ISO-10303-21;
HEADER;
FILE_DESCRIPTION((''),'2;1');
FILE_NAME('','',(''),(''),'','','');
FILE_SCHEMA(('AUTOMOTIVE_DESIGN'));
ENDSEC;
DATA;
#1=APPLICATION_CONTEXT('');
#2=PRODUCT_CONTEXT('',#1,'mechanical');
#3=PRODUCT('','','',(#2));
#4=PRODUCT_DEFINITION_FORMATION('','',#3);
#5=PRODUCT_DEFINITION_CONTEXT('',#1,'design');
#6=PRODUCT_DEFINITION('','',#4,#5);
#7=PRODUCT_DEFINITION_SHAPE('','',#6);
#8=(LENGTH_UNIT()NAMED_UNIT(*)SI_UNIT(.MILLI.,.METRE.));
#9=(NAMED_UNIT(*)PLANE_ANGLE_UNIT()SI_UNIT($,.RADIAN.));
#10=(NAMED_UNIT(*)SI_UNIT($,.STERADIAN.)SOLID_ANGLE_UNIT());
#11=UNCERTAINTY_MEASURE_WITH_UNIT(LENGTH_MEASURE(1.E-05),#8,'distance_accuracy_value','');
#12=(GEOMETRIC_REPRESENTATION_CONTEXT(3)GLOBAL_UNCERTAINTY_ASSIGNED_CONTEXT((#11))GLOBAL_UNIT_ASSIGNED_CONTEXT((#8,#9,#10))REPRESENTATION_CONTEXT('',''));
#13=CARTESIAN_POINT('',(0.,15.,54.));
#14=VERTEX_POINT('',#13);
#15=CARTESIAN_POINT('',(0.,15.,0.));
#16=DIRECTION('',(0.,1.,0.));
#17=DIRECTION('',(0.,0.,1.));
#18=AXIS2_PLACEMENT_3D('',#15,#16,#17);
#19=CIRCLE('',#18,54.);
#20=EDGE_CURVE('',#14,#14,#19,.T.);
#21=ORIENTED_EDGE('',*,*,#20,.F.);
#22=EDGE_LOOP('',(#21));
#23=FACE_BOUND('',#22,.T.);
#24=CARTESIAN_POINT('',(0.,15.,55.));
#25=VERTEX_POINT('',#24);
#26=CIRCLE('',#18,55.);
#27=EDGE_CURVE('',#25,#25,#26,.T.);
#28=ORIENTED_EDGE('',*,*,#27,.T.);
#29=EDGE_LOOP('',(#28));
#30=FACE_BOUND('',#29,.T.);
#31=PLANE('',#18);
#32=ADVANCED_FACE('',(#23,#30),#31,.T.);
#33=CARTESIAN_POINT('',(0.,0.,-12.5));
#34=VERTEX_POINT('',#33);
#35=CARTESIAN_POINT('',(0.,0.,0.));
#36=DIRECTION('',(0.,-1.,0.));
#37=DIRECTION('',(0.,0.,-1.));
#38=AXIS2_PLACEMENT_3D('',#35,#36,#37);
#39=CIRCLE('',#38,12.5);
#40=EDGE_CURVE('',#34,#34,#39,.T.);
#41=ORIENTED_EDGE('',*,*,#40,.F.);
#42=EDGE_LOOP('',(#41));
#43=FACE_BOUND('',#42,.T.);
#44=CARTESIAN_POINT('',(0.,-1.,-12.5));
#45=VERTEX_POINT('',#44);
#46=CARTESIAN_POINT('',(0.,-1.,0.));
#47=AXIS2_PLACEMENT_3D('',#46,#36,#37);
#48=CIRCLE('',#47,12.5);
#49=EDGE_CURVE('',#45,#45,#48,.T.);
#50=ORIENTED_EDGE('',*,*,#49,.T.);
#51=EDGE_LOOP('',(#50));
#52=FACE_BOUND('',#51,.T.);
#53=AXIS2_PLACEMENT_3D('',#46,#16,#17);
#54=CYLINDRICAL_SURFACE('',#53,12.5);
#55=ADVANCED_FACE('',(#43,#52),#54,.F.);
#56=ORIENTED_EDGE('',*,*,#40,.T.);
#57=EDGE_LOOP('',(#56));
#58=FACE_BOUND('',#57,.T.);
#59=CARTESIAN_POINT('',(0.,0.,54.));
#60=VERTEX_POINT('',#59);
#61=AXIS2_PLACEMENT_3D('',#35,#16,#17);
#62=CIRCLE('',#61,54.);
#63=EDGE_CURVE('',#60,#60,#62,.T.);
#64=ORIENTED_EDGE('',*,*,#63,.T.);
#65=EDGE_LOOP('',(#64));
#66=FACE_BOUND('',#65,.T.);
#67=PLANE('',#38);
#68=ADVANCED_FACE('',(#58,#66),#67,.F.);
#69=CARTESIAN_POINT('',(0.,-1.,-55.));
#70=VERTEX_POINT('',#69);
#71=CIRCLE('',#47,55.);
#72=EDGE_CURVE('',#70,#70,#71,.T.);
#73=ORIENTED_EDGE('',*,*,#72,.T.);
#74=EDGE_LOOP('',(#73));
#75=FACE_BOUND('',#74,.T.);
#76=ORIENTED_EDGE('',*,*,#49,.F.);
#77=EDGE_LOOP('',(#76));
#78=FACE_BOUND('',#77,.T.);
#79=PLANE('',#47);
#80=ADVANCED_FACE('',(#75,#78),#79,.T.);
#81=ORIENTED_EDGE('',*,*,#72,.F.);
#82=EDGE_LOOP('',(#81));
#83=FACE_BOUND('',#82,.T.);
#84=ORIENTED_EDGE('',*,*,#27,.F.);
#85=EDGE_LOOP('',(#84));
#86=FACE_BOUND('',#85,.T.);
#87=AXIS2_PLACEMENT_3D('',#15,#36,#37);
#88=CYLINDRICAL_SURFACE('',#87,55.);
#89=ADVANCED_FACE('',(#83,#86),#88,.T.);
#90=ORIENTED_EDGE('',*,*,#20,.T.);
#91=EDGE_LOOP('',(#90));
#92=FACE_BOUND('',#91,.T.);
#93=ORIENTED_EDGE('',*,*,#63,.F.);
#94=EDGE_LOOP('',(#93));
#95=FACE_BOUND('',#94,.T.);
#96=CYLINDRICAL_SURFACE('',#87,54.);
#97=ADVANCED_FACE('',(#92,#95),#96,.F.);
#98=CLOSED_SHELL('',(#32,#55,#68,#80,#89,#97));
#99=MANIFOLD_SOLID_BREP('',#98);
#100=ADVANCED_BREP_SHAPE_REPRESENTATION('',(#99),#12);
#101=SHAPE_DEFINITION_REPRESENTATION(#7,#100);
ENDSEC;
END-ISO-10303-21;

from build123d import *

# Parameters (mm, degrees)
SKETCH1_R           = 55
SKETCH1_R_2         = 54
BOSS_EXTRUDE1_DEPTH = 15
BOSS_EXTRUDE2_START = 1
SKETCH2_R           = 55
SKETCH2_R_2         = 12.5
BOSS_EXTRUDE2_DEPTH = 1


with BuildPart() as part:
    # Sketch1 → Boss-Extrude1 (new body)
    with BuildSketch(Plane(origin=(0, 0, 0), x_dir=(1, 0, 0), z_dir=(0, 1, 0))):
        with Locations(Location((0, 0, 0), (0, 0, 270))):
            Circle(SKETCH1_R)
        with Locations(Location((0, 0, 0), (0, 0, 270))):
            Circle(SKETCH1_R_2, mode=Mode.SUBTRACT)
    extrude(amount=BOSS_EXTRUDE1_DEPTH)

    # Sketch2 → Boss-Extrude2 (add)
    with BuildSketch(Plane.XZ.offset(BOSS_EXTRUDE2_START)):
        with Locations(Location((0, 0, 0), (0, 0, 270))):
            Circle(SKETCH2_R)
        with Locations(Location((0, 0, 0), (0, 0, 270))):
            Circle(SKETCH2_R_2, mode=Mode.SUBTRACT)
    extrude(amount=-BOSS_EXTRUDE2_DEPTH)


solid = part.part
